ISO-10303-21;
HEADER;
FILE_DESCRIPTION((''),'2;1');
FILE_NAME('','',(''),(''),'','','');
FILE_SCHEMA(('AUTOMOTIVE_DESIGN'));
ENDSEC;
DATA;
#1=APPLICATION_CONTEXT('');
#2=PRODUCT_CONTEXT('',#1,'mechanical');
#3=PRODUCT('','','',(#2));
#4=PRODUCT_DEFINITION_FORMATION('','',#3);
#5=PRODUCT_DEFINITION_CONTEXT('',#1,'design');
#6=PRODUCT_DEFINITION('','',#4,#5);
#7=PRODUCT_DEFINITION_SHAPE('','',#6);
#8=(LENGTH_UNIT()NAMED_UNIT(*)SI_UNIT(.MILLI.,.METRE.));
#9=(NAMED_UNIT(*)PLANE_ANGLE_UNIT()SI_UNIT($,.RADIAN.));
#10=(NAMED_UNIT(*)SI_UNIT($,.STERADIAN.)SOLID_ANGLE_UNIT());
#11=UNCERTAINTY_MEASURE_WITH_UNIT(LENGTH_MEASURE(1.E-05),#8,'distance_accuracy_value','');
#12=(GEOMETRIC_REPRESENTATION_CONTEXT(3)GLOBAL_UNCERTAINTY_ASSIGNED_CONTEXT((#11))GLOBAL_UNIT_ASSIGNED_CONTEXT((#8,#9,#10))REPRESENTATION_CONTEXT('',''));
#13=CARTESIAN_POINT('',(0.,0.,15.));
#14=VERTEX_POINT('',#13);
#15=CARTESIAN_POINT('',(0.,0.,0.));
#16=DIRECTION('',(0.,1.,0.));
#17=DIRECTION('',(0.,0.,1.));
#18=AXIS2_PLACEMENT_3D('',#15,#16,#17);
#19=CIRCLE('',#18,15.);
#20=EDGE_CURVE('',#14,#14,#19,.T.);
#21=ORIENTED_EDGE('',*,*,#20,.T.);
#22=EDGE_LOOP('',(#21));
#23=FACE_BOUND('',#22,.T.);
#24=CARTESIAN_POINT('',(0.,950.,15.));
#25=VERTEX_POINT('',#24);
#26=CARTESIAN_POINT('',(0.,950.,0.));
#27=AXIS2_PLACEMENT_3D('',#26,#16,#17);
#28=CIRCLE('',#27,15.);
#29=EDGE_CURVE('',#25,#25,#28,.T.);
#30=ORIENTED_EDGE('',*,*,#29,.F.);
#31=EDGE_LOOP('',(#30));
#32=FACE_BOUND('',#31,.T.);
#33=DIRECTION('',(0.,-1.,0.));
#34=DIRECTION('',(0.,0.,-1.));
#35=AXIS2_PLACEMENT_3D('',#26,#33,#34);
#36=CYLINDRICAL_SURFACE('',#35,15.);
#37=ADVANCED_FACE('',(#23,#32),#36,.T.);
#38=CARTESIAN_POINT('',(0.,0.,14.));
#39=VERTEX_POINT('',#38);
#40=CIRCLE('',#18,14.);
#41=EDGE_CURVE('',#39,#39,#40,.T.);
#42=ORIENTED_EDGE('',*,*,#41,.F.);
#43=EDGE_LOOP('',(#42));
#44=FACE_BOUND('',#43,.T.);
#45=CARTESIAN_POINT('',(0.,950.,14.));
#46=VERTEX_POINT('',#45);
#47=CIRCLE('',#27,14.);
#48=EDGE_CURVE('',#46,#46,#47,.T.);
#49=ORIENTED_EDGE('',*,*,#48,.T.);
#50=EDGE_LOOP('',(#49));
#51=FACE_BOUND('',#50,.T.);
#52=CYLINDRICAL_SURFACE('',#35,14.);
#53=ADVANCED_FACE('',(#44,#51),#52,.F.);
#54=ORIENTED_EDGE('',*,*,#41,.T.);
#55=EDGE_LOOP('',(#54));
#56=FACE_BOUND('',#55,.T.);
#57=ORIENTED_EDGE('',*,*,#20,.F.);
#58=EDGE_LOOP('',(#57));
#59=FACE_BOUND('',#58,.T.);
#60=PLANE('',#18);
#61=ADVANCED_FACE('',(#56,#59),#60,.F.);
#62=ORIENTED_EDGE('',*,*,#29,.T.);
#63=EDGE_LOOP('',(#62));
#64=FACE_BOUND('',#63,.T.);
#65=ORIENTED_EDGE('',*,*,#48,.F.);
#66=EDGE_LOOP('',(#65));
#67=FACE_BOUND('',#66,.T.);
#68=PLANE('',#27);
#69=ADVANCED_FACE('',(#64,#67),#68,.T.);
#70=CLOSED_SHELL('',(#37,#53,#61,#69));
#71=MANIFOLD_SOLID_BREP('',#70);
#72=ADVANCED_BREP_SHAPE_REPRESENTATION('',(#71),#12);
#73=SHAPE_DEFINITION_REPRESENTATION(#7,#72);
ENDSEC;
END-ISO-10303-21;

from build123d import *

# Parameters (mm, degrees)
ESQUISSE1_R        = 15
ESQUISSE1_R_2      = 14
BOSS_EXTRU_1_DEPTH = 950


with BuildPart() as part:
    # Esquisse1 → Boss.-Extru.1 (new body)
    with BuildSketch(Plane(origin=(0, 0, 0), x_dir=(1, 0, 0), z_dir=(0, 1, 0))):
        with Locations(Location((0, 0, 0), (0, 0, 270))):  # turned: the seam where the file's is
            Circle(ESQUISSE1_R)
        with Locations(Location((0, 0, 0), (0, 0, 270))):  # turned: the seam where the file's is
            Circle(ESQUISSE1_R_2, mode=Mode.SUBTRACT)
    extrude(amount=BOSS_EXTRU_1_DEPTH)


solid = part.part
